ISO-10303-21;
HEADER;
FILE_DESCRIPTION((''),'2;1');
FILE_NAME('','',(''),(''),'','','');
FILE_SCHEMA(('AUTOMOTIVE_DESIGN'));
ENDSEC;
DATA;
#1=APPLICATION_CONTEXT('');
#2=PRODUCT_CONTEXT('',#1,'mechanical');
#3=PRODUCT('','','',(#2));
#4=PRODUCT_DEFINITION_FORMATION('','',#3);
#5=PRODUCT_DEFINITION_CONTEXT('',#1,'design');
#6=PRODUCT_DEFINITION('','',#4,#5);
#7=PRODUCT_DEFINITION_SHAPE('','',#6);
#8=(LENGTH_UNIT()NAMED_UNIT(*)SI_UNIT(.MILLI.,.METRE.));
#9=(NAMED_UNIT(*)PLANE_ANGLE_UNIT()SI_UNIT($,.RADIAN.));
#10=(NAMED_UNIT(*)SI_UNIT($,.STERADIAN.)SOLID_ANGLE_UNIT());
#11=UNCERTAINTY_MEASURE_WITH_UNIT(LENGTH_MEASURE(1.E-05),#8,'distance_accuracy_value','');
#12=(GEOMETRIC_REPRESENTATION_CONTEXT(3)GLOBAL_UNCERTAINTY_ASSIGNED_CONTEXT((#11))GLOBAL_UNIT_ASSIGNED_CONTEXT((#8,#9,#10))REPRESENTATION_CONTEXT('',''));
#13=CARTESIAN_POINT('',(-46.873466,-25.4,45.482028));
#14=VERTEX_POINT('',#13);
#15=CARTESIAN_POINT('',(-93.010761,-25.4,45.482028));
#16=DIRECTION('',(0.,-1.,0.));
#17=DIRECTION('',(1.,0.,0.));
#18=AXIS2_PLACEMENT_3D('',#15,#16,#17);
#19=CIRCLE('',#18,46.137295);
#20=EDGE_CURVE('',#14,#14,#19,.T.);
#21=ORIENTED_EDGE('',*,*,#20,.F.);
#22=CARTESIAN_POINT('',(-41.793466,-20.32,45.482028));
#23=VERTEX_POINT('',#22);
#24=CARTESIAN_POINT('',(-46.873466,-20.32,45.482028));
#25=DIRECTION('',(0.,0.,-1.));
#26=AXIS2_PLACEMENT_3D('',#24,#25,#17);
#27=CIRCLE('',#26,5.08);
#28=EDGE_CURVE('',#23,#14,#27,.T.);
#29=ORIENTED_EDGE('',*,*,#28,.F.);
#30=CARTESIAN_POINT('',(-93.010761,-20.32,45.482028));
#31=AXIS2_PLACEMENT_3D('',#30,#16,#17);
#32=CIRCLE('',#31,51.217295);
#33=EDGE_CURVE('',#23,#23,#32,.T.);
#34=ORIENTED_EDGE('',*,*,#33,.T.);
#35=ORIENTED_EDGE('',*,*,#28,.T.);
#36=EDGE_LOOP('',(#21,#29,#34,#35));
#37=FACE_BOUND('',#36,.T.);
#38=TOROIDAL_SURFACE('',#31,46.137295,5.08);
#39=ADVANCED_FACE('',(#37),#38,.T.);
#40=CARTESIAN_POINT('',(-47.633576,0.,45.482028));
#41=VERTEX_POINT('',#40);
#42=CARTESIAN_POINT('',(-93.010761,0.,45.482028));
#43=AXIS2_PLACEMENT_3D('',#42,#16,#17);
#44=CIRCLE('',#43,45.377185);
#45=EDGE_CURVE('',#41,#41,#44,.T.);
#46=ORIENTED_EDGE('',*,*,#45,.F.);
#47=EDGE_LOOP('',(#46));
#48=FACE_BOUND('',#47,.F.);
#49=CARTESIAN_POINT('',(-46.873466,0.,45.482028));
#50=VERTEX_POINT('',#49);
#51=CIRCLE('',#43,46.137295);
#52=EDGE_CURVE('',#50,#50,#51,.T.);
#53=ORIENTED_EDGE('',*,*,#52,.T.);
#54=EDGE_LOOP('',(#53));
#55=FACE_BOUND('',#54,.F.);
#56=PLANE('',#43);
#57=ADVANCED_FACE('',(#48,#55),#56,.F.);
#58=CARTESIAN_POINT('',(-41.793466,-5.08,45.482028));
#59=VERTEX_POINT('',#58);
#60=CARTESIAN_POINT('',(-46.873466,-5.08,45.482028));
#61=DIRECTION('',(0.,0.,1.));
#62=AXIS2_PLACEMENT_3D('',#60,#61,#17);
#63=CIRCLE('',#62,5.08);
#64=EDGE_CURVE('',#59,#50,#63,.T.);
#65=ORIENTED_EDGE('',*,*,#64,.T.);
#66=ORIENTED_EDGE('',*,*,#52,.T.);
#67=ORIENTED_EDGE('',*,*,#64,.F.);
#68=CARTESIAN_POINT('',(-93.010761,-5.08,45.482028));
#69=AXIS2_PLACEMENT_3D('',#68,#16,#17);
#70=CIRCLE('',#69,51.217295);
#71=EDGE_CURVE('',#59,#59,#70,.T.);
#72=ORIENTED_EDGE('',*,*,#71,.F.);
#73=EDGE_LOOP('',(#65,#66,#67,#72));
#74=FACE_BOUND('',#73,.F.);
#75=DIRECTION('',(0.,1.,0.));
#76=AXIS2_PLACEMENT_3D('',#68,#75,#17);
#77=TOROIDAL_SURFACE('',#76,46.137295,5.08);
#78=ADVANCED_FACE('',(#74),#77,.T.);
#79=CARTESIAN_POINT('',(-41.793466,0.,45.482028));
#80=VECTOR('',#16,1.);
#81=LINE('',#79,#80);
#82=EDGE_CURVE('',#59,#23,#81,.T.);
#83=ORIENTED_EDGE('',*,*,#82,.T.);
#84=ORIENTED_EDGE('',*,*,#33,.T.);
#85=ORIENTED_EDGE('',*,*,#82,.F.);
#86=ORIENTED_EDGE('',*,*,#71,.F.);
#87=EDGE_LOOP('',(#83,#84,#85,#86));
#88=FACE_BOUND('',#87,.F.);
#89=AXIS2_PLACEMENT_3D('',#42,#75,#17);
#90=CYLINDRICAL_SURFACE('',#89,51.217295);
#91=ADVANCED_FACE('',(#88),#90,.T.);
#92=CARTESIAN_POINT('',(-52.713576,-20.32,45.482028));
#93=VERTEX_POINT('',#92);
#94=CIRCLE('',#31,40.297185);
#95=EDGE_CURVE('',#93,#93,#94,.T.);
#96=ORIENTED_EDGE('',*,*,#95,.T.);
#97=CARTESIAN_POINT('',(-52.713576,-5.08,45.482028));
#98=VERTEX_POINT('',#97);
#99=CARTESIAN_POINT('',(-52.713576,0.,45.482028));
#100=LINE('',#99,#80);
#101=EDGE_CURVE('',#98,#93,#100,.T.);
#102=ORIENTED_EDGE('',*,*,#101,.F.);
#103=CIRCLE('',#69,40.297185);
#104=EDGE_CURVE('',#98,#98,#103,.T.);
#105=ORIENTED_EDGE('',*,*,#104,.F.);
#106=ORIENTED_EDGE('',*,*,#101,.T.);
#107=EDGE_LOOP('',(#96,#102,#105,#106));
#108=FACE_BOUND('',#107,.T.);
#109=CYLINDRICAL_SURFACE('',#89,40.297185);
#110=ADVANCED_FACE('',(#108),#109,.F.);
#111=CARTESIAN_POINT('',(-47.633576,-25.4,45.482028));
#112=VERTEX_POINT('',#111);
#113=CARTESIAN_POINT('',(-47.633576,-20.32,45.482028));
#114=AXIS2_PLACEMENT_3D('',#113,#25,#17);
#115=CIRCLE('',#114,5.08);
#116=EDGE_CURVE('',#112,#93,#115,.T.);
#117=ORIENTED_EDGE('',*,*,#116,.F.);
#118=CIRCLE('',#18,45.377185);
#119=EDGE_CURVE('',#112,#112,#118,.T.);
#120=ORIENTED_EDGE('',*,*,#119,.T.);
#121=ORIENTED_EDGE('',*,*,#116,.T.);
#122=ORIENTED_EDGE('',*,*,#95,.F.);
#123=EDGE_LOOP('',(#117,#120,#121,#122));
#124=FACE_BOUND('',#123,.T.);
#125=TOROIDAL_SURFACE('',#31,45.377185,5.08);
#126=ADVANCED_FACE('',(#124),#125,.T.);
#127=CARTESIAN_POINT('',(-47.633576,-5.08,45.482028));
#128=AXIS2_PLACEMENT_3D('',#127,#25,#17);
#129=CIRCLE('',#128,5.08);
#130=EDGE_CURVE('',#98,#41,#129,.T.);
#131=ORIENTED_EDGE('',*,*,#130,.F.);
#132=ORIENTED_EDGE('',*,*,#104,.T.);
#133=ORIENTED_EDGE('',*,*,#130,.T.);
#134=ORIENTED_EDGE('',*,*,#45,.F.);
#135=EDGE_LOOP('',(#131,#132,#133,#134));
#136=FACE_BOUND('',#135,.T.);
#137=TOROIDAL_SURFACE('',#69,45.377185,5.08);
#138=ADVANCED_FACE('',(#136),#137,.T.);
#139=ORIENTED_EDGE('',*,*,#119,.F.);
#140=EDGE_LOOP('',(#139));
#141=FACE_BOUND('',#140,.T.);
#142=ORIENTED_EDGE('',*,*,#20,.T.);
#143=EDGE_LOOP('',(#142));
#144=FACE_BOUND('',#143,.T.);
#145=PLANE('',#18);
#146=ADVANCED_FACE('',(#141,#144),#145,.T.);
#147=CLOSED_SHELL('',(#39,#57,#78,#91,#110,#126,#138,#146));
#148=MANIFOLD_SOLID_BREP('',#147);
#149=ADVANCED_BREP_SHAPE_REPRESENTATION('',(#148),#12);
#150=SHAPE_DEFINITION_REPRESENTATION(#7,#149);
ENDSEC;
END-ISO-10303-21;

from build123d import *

# Parameters (mm, degrees)
F0_R     = 51.217295
F0_R_2   = 40.297185
F1_DEPTH = 25.4
F2_R     = 5.08
F3_R     = 5.08
F4_R     = 5.08


with BuildPart() as f1:
    # F0 (on Front) → F1 (new body)
    with BuildSketch(Plane.XZ):
        with Locations((-93.010761, 45.482028)):
            Circle(F0_R)
        with Locations((-93.010761, 45.482028)):
            Circle(F0_R_2, mode=Mode.SUBTRACT)
    extrude(amount=F1_DEPTH)

    # F2
    f2_edges = [f1.edges().sort_by_distance(p)[0] for p in [
        (-144.228056, -25.4, 45.482028),
        (-144.228056, 0, 45.482028),
    ]]
    fillet(f2_edges, radius=F2_R)

    # F3
    f3_edges = [f1.edges().sort_by_distance(p)[0] for p in [
        (-133.307946, -25.4, 45.482028),
    ]]
    fillet(f3_edges, radius=F3_R)

    # F4
    f4_edges = [f1.edges().sort_by_distance(p)[0] for p in [
        (-133.307946, 0, 45.482028),
    ]]
    fillet(f4_edges, radius=F4_R)


solid = f1.part
